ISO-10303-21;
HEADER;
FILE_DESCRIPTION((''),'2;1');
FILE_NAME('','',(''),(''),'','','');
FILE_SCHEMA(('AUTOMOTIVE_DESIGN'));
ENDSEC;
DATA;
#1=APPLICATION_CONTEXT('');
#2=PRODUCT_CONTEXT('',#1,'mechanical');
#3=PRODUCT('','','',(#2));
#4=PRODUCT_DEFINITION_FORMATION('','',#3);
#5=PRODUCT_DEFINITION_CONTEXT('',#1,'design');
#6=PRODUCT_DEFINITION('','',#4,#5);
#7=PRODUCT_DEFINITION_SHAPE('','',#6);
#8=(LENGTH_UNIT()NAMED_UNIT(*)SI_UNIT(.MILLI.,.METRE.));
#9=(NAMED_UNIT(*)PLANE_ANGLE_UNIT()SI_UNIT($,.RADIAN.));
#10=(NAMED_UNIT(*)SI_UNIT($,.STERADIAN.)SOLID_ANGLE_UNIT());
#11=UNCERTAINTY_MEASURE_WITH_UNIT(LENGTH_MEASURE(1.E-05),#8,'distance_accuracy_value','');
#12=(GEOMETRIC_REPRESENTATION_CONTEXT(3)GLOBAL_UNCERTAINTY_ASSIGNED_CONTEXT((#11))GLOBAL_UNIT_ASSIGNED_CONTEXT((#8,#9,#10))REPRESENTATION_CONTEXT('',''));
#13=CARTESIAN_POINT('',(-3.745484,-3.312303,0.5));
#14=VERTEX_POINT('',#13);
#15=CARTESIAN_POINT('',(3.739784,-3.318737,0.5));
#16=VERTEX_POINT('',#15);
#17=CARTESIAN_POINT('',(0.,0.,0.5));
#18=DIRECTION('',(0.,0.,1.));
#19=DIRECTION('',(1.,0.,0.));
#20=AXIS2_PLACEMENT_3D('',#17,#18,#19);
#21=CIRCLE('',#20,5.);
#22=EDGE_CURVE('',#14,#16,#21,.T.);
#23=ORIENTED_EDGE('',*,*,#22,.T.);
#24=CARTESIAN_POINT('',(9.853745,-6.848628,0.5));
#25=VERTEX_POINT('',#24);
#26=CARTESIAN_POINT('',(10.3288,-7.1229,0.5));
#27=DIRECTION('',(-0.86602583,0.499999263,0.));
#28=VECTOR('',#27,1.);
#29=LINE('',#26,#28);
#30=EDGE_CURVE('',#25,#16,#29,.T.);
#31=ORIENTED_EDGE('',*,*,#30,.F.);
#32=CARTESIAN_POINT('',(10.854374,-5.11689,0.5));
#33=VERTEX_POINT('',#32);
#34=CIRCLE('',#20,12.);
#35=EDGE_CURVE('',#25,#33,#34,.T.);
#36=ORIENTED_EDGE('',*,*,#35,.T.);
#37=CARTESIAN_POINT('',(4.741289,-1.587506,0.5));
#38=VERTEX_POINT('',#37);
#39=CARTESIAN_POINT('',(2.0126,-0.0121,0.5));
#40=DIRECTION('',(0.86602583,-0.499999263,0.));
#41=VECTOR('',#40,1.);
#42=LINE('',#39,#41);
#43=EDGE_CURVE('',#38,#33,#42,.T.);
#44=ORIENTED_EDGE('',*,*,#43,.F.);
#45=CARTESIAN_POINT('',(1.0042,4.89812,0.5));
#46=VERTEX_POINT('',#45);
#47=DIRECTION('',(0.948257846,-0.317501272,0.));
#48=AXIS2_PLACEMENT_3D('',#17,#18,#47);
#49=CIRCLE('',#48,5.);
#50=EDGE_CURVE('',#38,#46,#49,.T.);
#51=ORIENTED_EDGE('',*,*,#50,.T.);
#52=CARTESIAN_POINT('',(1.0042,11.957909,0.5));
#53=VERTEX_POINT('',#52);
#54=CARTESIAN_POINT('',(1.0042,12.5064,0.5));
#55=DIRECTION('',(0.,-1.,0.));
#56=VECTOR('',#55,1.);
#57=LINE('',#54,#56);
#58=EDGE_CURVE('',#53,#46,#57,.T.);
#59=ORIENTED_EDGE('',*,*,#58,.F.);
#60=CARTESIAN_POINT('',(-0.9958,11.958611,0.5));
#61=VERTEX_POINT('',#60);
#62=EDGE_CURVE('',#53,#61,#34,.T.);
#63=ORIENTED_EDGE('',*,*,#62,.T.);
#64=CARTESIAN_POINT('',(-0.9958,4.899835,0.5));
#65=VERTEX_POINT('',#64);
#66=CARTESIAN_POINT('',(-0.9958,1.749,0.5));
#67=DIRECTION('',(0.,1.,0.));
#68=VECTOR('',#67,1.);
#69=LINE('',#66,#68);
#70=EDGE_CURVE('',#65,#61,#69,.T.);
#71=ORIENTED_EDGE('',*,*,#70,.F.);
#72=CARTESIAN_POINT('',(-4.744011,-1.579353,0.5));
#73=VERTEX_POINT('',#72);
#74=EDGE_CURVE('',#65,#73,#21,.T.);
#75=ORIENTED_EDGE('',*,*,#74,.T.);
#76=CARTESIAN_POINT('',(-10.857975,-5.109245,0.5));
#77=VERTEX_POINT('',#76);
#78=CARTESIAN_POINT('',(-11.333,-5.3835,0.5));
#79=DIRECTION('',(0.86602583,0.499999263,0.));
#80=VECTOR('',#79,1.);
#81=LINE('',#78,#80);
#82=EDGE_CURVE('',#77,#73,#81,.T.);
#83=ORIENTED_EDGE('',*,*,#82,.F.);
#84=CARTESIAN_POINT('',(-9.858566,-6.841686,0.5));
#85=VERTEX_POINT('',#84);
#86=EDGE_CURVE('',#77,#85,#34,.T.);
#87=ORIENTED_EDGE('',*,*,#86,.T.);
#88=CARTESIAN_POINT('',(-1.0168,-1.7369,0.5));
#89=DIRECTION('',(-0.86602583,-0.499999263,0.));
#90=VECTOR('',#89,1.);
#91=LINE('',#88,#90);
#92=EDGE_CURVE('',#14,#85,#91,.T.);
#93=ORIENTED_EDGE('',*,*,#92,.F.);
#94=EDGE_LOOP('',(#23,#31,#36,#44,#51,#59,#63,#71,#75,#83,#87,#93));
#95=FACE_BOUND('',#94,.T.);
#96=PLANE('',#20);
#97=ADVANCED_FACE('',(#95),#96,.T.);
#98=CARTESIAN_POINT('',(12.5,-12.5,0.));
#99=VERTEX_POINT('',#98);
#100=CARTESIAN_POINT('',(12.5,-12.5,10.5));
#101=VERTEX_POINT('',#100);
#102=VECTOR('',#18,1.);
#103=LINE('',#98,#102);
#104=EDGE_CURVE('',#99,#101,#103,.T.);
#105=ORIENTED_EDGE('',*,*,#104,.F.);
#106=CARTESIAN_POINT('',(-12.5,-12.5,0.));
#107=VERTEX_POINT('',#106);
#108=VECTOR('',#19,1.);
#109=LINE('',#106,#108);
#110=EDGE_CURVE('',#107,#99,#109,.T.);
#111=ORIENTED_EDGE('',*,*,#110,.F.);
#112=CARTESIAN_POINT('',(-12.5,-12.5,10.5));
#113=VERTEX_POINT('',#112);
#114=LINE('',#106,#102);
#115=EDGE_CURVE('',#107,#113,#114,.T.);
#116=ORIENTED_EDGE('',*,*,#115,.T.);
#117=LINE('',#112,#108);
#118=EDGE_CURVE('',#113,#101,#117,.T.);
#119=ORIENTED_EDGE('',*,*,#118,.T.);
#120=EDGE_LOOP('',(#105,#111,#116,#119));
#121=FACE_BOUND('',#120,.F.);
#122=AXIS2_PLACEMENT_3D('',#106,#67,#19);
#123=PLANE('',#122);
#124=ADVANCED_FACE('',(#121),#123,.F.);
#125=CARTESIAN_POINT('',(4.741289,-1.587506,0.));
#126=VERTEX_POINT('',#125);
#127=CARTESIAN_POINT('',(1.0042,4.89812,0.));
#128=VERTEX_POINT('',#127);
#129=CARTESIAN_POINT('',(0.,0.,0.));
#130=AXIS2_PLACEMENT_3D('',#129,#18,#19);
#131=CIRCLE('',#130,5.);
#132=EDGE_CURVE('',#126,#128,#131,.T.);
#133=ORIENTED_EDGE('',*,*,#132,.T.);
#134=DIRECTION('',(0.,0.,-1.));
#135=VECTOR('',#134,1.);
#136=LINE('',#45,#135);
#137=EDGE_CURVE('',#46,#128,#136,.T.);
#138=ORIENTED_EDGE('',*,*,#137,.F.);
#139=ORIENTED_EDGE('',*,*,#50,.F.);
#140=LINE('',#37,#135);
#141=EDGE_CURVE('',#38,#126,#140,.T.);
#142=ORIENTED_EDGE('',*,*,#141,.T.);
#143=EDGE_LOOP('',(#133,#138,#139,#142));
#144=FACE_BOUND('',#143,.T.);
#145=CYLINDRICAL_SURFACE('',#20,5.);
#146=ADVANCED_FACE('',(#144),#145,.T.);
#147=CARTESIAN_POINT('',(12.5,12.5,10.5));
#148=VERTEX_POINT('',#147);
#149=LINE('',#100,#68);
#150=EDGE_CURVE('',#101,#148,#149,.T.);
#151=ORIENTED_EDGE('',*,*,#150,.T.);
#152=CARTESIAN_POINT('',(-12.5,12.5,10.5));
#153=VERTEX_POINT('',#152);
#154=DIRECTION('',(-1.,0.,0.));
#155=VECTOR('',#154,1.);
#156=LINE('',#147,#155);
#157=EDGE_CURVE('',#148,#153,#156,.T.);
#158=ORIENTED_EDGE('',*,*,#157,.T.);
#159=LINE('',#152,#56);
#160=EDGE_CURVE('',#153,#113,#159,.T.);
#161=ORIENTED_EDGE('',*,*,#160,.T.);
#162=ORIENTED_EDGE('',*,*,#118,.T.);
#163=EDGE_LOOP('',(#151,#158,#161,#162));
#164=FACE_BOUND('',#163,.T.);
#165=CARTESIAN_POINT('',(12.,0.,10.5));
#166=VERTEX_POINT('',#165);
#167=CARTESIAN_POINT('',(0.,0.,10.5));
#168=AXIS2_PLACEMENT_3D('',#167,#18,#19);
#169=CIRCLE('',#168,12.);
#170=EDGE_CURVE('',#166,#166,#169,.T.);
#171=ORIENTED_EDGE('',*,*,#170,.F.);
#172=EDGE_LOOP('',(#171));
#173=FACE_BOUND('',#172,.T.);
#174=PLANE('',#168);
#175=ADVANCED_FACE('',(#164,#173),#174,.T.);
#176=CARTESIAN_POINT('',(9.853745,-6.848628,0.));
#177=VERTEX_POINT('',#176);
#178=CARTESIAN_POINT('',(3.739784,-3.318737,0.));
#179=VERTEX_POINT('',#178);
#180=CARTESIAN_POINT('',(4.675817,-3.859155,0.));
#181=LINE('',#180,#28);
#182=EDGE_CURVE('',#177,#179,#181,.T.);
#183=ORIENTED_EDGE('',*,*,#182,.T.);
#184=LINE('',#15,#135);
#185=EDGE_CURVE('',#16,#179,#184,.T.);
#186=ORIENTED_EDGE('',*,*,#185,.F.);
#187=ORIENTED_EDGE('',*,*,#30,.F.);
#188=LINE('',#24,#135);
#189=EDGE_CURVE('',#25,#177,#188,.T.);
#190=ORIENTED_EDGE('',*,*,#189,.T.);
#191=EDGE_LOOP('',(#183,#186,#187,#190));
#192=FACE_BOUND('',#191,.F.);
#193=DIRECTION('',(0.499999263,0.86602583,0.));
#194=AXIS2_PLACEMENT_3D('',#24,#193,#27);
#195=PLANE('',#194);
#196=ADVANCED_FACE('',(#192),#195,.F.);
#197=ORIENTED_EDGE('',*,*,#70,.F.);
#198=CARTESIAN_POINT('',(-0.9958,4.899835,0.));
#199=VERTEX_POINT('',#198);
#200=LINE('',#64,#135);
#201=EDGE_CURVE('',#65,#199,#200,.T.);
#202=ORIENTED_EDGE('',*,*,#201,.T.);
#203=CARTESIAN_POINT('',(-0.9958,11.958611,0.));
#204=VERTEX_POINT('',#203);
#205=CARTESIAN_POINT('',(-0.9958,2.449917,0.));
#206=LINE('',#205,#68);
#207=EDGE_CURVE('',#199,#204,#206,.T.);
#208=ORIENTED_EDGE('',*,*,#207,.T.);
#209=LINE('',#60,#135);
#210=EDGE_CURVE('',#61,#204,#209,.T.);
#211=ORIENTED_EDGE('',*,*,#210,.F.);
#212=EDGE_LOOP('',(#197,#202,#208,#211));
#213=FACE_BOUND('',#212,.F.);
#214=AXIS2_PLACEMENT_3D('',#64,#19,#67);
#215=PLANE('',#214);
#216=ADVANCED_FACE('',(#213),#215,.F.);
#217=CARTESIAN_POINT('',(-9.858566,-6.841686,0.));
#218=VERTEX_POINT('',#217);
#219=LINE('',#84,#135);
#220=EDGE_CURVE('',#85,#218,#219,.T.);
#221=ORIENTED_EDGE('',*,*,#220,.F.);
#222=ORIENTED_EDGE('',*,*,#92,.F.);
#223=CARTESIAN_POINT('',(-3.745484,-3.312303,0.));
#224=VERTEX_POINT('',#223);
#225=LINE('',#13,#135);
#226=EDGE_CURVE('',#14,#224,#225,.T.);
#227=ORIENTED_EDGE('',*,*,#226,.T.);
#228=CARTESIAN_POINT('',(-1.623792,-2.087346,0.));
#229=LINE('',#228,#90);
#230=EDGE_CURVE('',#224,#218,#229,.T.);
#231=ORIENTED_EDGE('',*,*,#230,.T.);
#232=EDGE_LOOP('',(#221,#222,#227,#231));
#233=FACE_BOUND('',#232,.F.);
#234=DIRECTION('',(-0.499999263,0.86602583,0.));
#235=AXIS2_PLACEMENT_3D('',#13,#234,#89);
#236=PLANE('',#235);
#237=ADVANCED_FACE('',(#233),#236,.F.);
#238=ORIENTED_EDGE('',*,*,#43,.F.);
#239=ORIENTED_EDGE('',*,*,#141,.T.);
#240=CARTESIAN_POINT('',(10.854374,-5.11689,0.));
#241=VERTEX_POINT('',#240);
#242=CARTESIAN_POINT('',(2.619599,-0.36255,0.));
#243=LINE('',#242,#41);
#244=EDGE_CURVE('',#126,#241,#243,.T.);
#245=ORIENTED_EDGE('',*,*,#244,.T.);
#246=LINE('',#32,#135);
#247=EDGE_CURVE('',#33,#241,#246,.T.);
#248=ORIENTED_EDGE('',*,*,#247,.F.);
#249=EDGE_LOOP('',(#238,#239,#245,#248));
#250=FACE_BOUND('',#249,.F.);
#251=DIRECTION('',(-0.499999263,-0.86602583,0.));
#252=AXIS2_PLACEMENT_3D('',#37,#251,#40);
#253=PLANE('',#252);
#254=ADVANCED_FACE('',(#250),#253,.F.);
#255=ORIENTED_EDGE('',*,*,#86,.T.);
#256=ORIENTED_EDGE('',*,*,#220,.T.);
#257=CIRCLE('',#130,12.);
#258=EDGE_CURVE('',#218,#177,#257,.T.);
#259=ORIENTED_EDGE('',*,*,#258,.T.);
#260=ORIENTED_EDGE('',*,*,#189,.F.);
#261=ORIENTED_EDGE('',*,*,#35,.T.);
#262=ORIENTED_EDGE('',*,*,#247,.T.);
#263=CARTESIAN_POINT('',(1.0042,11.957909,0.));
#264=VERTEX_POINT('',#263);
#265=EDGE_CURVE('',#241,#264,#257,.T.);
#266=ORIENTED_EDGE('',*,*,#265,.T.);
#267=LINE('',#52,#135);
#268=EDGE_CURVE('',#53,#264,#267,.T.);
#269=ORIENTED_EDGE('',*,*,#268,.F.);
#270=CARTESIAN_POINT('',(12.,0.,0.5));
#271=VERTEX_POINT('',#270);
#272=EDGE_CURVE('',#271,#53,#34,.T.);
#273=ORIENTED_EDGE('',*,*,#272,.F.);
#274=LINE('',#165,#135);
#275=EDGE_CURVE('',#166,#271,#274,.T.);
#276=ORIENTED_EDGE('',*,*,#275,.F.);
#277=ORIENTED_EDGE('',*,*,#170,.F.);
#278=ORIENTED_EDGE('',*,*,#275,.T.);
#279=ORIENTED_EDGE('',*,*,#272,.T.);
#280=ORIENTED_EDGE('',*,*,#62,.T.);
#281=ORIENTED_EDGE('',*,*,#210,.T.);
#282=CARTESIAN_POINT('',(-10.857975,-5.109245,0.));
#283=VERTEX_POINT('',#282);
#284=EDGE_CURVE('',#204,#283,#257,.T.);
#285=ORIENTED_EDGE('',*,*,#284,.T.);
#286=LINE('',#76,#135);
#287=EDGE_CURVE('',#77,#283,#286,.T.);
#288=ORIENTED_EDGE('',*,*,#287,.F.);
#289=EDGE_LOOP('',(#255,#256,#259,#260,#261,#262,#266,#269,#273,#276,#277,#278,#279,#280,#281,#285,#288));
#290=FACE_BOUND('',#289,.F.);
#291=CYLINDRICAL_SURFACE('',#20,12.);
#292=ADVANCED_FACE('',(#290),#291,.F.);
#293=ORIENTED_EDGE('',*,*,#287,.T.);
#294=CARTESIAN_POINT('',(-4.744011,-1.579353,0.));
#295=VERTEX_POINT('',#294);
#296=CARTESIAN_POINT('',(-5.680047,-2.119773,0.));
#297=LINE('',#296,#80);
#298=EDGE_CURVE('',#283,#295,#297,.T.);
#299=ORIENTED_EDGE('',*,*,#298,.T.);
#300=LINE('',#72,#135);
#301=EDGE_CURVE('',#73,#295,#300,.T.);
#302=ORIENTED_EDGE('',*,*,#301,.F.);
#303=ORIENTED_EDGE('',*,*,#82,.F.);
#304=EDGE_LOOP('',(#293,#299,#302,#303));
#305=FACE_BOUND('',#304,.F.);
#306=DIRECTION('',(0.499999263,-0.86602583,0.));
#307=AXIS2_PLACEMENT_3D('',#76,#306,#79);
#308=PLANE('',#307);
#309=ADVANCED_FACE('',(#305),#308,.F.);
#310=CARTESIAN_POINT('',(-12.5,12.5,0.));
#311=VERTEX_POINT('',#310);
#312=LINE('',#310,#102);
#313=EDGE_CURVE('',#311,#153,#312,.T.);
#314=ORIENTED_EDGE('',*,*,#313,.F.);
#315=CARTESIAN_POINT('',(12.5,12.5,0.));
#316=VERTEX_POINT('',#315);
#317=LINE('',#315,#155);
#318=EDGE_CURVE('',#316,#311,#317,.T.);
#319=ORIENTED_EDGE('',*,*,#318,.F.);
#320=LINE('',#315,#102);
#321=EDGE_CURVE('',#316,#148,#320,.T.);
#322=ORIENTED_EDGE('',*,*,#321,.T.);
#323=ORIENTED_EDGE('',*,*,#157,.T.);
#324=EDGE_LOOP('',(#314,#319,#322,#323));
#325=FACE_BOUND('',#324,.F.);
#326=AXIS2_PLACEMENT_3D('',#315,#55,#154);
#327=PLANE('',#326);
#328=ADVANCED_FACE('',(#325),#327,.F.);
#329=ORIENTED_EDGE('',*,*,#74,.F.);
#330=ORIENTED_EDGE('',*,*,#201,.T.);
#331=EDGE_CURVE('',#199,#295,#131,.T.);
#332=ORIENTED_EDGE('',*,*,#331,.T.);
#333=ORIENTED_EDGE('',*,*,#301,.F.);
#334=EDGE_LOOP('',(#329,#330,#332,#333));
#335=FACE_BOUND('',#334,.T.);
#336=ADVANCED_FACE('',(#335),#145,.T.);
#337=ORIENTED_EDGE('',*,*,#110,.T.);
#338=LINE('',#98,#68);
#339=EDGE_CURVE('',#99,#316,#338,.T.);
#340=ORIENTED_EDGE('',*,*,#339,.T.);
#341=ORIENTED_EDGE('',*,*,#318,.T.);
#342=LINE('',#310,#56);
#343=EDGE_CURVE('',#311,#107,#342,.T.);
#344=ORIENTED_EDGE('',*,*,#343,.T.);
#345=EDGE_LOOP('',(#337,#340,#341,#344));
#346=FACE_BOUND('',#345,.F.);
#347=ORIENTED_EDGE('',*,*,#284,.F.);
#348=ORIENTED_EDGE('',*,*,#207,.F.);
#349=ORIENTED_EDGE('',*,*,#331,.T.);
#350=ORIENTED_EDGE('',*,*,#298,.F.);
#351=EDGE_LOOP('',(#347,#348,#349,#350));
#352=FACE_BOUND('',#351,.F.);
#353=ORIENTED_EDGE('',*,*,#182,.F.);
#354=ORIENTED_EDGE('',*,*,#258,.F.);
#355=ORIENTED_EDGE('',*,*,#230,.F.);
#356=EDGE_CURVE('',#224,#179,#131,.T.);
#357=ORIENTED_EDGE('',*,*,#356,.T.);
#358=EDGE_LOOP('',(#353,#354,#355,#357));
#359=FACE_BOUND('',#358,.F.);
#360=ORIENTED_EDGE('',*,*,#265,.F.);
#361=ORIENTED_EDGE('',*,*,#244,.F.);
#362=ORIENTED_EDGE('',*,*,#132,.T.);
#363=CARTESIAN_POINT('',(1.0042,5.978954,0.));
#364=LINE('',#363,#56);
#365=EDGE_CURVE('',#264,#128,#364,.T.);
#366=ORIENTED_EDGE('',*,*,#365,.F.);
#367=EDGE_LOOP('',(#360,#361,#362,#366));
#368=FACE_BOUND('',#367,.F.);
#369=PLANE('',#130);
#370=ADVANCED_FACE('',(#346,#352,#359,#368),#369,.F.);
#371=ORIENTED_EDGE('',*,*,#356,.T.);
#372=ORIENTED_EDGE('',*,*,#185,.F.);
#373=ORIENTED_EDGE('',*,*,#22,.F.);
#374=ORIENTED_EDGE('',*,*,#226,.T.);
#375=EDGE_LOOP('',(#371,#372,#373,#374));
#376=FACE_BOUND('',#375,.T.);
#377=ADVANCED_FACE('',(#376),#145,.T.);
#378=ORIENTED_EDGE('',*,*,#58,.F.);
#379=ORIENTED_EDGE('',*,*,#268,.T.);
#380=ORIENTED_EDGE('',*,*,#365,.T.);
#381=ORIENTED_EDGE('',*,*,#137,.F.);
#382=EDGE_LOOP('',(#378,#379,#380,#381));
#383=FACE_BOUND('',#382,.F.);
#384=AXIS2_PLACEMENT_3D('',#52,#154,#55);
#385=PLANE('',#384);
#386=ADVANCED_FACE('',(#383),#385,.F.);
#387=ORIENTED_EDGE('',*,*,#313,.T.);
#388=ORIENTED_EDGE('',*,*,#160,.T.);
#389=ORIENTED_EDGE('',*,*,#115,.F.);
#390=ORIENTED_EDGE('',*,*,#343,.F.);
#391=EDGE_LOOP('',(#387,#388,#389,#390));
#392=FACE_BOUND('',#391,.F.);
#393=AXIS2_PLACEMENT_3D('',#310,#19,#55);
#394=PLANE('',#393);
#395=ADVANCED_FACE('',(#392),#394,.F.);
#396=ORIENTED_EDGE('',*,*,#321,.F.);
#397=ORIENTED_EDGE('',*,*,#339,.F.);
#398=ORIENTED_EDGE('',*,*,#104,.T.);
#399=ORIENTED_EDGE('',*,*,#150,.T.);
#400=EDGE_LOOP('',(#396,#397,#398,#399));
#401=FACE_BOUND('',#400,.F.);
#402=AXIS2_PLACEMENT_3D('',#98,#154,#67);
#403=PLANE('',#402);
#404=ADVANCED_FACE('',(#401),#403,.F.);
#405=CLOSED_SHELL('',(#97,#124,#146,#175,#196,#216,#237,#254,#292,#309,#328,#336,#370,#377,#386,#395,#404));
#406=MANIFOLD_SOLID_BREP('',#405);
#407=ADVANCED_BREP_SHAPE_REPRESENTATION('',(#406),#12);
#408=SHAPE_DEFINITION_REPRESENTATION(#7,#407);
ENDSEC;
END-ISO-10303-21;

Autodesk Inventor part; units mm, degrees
ref_plane "YZ Plane" through (0, 0, 0) normal (1, 0, 0) x (0, 1, 0)
ref_plane "XZ Plane" through (0, 0, 0) normal (0, 1, 0) x (-1, 0, 0)
ref_plane "XY Plane" through (0, 0, 0) normal (0, 0, 1) x (1, 0, 0)
sketch "스케치1" plane through (0, 0, 0) normal (0, 0, 1) x (1, 0, 0)
  line L0 (-12.5, -12.5) -> (12.5, -12.5)
  line L1 (12.5, -12.5) -> (12.5, 12.5)
  line L2 (12.5, 12.5) -> (-12.5, 12.5)
  line L3 (-12.5, 12.5) -> (-12.5, -12.5)
  line L4 (-12.5, -12.5) -> (12.5, 12.5) construction
  line L5 (12.5, -12.5) -> (-12.5, 12.5) construction
  point P0 (0, 0)
  dimension "d0" = 25
  dimension "d1" = 25
extrude "돌출1" add sketch "스케치1" along normal blind 10.5
sketch "스케치2" plane through (0, 0, 10.5) normal (0, 0, 1) x (1, 0, 0)
  circle A0 centre (0, 0) radius 12
  dimension "d5" = 24
extrude "돌출2" cut sketch "스케치2" against normal blind 10
sketch "스케치3" plane through (0, 0, 0.5) normal (0, 0, 1) x (1, 0, 0)
  circle A0 centre (0, 0) radius 5
  line L0 (-0.9958, 12.5064) -> (1.0042, 12.5064)
  line L1 (1.0042, 12.5064) -> (1.0042, 1.749)
  line L2 (1.0042, 1.749) -> (-0.9958, 1.749)
  line L3 (-0.9958, 1.749) -> (-0.9958, 12.5064)
  line L4 (-0.9958, 12.5064) -> (1.0042, 1.749) construction
  line L5 (1.0042, 12.5064) -> (-0.9958, 1.749) construction
  line L6 (-10.333, -7.1156) -> (-11.333, -5.3835)
  line L7 (-11.333, -5.3835) -> (-2.0168, -0.0048)
  line L8 (-2.0168, -0.0048) -> (-1.0168, -1.7369)
  line L9 (-1.0168, -1.7369) -> (-10.333, -7.1156)
  line L10 (-10.333, -7.1156) -> (-2.0168, -0.0048) construction
  line L11 (-11.333, -5.3835) -> (-1.0168, -1.7369) construction
  line L12 (11.3288, -5.3908) -> (10.3288, -7.1229)
  line L13 (10.3288, -7.1229) -> (1.0126, -1.7442)
  line L14 (1.0126, -1.7442) -> (2.0126, -0.0121)
  line L15 (2.0126, -0.0121) -> (11.3288, -5.3908)
  line L16 (11.3288, -5.3908) -> (1.0126, -1.7442) construction
  line L17 (10.3288, -7.1229) -> (2.0126, -0.0121) construction
  circle A1 centre (0, 0) radius 12 projected
  point P0 (0.0042, 7.1277)
  point P1 (-6.1749, -3.5602)
  point P2 (6.1707, -3.5675)
  point P3 (10.8544, -5.1169)
  point P4 (1.0042, 11.9579)
  point P5 (1.0042, 4.8981)
  point P6 (4.7413, -1.5875)
  point P7 (-9.8586, -6.8417)
  point P8 (9.8537, -6.8486)
  point P9 (3.7398, -3.3187)
  point P10 (-3.7455, -3.3123)
  point P11 (-0.9958, 11.9586)
  point P12 (-10.858, -5.1093)
  point P13 (-4.744, -1.5794)
  point P14 (-0.9958, 4.8998)
  dimension "d8" = 10
  dimension "d11" = 360
  dimension "d13" = 2
extrude "돌출3" cut sketch "스케치3" against normal blind 10 contours A0 L1 A1 L15 | A0 L7 A1 L3 | L13 A1 L9 A0
properties part number "쿨러"
